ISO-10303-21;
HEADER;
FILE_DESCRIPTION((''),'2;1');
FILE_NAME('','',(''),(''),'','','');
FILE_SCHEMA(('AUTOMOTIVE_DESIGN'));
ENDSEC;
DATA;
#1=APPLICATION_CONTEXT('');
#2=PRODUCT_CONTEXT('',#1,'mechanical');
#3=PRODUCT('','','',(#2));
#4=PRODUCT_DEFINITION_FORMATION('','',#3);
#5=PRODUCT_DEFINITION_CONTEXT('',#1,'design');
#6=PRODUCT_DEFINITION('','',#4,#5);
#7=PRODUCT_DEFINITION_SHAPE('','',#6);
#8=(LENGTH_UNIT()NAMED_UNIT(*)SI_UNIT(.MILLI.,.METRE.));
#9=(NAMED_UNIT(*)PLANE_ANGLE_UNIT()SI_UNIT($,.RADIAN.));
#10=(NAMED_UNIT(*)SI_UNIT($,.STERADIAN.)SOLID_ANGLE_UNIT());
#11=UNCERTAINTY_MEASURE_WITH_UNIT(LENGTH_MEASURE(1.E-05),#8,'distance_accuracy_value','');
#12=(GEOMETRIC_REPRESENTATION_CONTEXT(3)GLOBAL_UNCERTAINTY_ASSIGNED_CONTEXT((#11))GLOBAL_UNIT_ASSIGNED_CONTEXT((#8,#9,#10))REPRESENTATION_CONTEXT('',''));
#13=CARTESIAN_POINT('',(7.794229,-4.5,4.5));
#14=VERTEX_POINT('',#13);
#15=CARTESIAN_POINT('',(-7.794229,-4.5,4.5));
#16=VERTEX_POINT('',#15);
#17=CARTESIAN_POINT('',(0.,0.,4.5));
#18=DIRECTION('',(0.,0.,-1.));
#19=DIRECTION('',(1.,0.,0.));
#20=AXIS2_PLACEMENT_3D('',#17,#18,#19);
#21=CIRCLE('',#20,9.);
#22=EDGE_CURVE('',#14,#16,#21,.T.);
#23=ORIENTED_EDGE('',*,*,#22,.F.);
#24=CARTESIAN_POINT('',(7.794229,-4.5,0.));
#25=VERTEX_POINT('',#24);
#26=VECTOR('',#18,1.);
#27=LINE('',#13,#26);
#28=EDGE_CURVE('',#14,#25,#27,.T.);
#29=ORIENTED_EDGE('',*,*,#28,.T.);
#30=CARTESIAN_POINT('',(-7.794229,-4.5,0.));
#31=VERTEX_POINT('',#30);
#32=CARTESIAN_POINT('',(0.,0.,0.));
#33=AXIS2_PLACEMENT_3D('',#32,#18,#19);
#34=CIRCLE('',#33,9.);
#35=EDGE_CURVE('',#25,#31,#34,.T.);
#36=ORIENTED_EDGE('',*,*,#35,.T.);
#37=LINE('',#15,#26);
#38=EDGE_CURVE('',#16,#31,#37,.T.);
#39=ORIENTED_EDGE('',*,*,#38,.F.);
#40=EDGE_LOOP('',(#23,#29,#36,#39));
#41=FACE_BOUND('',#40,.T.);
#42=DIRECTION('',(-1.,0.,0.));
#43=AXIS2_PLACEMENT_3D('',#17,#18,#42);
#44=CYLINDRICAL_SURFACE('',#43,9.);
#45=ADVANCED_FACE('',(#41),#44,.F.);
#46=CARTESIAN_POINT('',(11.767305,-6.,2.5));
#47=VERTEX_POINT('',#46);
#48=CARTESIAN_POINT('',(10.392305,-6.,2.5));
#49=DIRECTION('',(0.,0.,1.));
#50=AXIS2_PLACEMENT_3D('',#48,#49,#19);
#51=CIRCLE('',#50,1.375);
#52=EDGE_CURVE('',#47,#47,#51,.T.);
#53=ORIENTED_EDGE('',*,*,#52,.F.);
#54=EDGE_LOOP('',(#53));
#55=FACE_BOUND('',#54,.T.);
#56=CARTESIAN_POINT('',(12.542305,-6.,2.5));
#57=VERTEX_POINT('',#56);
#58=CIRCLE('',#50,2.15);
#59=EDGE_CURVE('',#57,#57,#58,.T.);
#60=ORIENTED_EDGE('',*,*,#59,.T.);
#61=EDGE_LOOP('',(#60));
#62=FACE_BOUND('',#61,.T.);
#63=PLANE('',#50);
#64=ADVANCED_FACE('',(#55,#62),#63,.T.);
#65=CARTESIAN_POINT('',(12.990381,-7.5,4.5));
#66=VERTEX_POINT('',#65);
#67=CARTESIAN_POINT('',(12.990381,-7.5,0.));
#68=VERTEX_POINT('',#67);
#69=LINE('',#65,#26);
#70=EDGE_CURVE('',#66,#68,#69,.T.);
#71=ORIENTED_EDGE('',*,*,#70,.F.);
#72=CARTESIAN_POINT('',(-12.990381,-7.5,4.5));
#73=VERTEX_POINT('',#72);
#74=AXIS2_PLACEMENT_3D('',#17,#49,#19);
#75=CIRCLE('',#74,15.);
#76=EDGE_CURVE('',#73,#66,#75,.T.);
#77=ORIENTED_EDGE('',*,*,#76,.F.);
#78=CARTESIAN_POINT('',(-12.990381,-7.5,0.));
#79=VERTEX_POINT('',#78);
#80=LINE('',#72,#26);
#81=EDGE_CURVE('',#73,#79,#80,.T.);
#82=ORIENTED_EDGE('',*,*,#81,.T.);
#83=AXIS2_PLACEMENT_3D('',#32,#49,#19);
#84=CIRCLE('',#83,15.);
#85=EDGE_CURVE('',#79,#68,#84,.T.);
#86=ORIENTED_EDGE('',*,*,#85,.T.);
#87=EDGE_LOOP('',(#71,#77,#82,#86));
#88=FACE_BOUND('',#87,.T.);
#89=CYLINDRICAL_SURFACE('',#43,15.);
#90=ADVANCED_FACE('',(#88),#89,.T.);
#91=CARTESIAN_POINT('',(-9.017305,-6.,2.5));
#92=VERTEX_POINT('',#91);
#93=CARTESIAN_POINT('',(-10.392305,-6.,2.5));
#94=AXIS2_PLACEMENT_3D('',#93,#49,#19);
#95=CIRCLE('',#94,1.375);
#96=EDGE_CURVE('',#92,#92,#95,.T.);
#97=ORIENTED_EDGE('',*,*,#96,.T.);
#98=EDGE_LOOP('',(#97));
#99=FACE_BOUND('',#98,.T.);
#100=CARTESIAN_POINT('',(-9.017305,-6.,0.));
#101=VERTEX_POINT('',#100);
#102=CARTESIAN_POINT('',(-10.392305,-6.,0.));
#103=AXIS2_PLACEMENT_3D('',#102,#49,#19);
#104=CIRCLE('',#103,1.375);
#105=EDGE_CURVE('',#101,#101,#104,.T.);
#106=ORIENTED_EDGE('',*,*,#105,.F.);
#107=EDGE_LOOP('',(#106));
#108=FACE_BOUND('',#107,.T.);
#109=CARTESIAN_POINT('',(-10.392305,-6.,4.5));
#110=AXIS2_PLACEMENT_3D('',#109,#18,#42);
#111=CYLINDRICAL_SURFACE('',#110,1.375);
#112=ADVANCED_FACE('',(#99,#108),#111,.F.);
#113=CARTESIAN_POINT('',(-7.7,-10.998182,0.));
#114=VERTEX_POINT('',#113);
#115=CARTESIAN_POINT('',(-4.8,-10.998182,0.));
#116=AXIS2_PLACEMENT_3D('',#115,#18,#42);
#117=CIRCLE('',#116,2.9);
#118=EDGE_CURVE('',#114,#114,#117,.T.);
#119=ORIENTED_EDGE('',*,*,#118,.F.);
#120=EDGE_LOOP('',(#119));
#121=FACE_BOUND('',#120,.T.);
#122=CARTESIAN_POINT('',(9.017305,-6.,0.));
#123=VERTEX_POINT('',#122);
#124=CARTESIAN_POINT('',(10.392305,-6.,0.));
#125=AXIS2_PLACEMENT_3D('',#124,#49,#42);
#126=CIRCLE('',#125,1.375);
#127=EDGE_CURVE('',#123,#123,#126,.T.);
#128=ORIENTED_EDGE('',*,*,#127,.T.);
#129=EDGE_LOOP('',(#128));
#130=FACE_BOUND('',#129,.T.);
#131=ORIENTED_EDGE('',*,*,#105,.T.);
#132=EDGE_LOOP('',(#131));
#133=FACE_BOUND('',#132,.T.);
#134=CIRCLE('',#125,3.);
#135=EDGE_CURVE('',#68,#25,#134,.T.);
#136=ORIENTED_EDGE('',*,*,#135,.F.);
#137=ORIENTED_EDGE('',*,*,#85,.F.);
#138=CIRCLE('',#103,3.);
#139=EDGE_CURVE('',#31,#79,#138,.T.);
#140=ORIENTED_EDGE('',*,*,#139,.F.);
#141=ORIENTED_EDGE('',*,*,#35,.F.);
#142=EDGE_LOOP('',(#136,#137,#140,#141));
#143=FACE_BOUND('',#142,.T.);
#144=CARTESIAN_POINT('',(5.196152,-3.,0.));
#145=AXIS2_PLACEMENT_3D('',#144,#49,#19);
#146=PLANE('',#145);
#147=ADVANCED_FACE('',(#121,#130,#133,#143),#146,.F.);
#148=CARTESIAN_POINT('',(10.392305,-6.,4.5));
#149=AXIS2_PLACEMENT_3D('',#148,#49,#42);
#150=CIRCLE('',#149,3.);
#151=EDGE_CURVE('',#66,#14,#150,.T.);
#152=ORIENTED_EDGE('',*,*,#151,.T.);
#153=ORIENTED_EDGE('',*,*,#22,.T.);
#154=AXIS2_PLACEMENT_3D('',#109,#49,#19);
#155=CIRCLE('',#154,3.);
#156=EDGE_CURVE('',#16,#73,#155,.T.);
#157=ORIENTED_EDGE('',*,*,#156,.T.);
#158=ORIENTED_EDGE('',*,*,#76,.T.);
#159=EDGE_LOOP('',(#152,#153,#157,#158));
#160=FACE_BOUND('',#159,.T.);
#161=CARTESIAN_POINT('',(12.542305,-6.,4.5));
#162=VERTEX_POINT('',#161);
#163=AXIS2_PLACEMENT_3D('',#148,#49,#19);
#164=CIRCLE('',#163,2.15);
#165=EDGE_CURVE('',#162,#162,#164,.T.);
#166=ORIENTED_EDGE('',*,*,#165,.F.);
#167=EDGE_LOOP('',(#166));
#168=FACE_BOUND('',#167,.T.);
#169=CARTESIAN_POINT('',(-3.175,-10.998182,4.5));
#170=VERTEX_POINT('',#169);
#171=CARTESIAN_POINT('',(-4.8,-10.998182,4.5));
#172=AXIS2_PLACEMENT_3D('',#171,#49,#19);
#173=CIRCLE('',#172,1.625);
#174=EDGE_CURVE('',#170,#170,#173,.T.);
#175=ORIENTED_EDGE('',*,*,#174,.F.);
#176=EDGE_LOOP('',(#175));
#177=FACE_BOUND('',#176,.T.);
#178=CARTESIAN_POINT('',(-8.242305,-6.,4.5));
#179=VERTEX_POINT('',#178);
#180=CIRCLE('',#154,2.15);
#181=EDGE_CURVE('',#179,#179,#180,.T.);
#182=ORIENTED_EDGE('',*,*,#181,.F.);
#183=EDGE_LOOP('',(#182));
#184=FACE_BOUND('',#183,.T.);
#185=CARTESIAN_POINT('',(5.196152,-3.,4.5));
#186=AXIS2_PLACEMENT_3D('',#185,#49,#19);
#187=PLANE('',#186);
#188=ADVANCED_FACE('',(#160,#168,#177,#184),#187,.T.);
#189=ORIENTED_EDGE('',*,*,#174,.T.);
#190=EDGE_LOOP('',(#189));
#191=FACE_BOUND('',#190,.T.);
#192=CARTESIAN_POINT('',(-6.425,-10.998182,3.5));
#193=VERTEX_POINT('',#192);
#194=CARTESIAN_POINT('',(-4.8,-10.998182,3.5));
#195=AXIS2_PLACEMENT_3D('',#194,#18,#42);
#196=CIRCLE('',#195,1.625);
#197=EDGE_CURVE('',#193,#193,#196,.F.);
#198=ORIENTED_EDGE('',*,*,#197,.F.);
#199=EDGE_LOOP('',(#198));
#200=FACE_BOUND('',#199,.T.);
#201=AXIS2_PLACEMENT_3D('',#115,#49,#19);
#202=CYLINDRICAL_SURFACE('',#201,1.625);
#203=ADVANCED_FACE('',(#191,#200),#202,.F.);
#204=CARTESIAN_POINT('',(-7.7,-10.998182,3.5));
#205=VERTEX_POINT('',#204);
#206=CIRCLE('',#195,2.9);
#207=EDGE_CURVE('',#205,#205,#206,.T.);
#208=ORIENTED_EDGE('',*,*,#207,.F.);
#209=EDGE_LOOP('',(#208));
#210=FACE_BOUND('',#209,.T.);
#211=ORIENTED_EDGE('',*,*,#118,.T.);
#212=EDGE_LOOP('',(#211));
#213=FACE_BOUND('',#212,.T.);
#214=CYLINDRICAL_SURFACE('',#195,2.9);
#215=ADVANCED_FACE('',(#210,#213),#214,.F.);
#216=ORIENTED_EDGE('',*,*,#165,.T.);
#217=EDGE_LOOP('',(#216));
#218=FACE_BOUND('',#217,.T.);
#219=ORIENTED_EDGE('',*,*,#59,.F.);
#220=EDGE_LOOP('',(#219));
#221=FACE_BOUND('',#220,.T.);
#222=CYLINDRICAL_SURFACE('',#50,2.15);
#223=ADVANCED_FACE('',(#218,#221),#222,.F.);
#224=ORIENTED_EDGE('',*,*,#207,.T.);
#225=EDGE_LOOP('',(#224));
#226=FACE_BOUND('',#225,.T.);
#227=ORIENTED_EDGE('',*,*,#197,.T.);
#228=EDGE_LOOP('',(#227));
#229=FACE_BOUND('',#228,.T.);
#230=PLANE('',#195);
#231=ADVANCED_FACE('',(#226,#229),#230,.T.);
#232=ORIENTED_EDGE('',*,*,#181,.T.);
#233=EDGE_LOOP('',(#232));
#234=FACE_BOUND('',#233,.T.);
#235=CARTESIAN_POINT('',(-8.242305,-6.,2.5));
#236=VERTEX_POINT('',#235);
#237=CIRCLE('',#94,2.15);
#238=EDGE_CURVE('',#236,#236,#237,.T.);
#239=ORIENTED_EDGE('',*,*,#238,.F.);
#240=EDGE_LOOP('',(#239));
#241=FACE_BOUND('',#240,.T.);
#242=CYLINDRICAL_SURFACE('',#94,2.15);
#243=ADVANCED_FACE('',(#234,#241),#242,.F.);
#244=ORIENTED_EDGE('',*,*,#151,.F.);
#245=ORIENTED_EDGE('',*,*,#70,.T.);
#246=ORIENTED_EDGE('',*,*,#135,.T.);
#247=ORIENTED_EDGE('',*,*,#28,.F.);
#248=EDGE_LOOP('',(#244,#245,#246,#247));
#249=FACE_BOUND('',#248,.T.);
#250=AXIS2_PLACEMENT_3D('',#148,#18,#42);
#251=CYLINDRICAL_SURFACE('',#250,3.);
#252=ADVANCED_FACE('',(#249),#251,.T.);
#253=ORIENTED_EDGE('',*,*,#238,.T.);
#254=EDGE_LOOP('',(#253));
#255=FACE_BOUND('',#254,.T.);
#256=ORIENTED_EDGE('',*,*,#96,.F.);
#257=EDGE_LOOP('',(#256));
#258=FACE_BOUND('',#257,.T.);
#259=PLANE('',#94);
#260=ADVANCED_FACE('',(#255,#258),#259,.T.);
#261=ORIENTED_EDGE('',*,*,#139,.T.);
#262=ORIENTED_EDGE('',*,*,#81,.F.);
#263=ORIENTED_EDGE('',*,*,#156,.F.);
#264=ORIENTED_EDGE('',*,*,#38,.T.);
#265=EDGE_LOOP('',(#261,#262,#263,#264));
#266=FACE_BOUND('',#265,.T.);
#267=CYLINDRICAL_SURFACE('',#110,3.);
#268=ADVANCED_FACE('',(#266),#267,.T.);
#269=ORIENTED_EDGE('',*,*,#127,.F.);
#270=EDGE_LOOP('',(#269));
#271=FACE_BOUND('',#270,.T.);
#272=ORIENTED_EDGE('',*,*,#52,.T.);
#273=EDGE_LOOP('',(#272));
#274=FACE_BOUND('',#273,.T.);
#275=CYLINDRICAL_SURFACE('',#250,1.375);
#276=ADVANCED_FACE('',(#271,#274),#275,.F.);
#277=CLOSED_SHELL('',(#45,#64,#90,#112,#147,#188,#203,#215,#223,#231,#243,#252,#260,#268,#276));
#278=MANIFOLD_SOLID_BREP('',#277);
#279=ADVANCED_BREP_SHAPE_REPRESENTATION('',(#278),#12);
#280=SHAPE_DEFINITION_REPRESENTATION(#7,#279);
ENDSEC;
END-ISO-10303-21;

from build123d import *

# Parameters (mm, degrees)
ESBO_O1_R                = 1.375
RESSALTO_EXTRUS_O3_DEPTH = 4.5
ESBO_O7_R                = 1.625
CORTE_EXTRUS_O4_DEPTH    = 21.605917331
ESBO_O8_R                = 2.15
CORTE_EXTRUS_O5_DEPTH    = 2
ESBO_O9_R                = 2.9
CORTE_EXTRUS_O6_DEPTH    = 3.5


with BuildPart() as part:
    # Esboço1 → Ressalto-extrusão3 (new body)
    with BuildSketch(Plane.XY):
        with BuildLine():
            ThreePointArc((-7.794228634, -4.5), (-11.892304845, -3.401923789), (-12.990381057, -7.5))
            ThreePointArc((-12.990381057, -7.5), (0, -15), (12.990381057, -7.5))
            ThreePointArc((12.990381057, -7.5), (11.892304845, -3.401923789), (7.794228634, -4.5))
            ThreePointArc((7.794228634, -4.5), (0, -9), (-7.794228634, -4.5))
        make_face()
        with Locations((-10.392304845, -6)):
            Circle(ESBO_O1_R, mode=Mode.SUBTRACT)
        with Locations(Location((10.392304845, -6, 0), (0, 0, 180))):
            Circle(ESBO_O1_R, mode=Mode.SUBTRACT)
    extrude(amount=RESSALTO_EXTRUS_O3_DEPTH)

    # Esboço7 → Corte-extrusão4 (cut, through all)
    with BuildSketch(Plane.XY.offset(4.5)):
        with Locations((-4.8, -10.998181668)):
            Circle(ESBO_O7_R)
    extrude(amount=-CORTE_EXTRUS_O4_DEPTH, mode=Mode.SUBTRACT)

    # Esboço8 → Corte-extrusão5 (cut)
    with BuildSketch(Plane.XY.offset(4.5)):
        with Locations((-10.392304845, -6)):
            Circle(ESBO_O8_R)
        with Locations((10.392304845, -6)):
            Circle(ESBO_O8_R)
    extrude(amount=-CORTE_EXTRUS_O5_DEPTH, mode=Mode.SUBTRACT)

    # Esboço9 → Corte-extrusão6 (cut)
    with BuildSketch(Plane(origin=(0, 0, 0), x_dir=(-1, 0, 0), z_dir=(0, 0, -1))):
        with Locations((4.8, -10.998181668)):
            Circle(ESBO_O9_R)
    extrude(amount=-CORTE_EXTRUS_O6_DEPTH, mode=Mode.SUBTRACT)


solid = part.part
